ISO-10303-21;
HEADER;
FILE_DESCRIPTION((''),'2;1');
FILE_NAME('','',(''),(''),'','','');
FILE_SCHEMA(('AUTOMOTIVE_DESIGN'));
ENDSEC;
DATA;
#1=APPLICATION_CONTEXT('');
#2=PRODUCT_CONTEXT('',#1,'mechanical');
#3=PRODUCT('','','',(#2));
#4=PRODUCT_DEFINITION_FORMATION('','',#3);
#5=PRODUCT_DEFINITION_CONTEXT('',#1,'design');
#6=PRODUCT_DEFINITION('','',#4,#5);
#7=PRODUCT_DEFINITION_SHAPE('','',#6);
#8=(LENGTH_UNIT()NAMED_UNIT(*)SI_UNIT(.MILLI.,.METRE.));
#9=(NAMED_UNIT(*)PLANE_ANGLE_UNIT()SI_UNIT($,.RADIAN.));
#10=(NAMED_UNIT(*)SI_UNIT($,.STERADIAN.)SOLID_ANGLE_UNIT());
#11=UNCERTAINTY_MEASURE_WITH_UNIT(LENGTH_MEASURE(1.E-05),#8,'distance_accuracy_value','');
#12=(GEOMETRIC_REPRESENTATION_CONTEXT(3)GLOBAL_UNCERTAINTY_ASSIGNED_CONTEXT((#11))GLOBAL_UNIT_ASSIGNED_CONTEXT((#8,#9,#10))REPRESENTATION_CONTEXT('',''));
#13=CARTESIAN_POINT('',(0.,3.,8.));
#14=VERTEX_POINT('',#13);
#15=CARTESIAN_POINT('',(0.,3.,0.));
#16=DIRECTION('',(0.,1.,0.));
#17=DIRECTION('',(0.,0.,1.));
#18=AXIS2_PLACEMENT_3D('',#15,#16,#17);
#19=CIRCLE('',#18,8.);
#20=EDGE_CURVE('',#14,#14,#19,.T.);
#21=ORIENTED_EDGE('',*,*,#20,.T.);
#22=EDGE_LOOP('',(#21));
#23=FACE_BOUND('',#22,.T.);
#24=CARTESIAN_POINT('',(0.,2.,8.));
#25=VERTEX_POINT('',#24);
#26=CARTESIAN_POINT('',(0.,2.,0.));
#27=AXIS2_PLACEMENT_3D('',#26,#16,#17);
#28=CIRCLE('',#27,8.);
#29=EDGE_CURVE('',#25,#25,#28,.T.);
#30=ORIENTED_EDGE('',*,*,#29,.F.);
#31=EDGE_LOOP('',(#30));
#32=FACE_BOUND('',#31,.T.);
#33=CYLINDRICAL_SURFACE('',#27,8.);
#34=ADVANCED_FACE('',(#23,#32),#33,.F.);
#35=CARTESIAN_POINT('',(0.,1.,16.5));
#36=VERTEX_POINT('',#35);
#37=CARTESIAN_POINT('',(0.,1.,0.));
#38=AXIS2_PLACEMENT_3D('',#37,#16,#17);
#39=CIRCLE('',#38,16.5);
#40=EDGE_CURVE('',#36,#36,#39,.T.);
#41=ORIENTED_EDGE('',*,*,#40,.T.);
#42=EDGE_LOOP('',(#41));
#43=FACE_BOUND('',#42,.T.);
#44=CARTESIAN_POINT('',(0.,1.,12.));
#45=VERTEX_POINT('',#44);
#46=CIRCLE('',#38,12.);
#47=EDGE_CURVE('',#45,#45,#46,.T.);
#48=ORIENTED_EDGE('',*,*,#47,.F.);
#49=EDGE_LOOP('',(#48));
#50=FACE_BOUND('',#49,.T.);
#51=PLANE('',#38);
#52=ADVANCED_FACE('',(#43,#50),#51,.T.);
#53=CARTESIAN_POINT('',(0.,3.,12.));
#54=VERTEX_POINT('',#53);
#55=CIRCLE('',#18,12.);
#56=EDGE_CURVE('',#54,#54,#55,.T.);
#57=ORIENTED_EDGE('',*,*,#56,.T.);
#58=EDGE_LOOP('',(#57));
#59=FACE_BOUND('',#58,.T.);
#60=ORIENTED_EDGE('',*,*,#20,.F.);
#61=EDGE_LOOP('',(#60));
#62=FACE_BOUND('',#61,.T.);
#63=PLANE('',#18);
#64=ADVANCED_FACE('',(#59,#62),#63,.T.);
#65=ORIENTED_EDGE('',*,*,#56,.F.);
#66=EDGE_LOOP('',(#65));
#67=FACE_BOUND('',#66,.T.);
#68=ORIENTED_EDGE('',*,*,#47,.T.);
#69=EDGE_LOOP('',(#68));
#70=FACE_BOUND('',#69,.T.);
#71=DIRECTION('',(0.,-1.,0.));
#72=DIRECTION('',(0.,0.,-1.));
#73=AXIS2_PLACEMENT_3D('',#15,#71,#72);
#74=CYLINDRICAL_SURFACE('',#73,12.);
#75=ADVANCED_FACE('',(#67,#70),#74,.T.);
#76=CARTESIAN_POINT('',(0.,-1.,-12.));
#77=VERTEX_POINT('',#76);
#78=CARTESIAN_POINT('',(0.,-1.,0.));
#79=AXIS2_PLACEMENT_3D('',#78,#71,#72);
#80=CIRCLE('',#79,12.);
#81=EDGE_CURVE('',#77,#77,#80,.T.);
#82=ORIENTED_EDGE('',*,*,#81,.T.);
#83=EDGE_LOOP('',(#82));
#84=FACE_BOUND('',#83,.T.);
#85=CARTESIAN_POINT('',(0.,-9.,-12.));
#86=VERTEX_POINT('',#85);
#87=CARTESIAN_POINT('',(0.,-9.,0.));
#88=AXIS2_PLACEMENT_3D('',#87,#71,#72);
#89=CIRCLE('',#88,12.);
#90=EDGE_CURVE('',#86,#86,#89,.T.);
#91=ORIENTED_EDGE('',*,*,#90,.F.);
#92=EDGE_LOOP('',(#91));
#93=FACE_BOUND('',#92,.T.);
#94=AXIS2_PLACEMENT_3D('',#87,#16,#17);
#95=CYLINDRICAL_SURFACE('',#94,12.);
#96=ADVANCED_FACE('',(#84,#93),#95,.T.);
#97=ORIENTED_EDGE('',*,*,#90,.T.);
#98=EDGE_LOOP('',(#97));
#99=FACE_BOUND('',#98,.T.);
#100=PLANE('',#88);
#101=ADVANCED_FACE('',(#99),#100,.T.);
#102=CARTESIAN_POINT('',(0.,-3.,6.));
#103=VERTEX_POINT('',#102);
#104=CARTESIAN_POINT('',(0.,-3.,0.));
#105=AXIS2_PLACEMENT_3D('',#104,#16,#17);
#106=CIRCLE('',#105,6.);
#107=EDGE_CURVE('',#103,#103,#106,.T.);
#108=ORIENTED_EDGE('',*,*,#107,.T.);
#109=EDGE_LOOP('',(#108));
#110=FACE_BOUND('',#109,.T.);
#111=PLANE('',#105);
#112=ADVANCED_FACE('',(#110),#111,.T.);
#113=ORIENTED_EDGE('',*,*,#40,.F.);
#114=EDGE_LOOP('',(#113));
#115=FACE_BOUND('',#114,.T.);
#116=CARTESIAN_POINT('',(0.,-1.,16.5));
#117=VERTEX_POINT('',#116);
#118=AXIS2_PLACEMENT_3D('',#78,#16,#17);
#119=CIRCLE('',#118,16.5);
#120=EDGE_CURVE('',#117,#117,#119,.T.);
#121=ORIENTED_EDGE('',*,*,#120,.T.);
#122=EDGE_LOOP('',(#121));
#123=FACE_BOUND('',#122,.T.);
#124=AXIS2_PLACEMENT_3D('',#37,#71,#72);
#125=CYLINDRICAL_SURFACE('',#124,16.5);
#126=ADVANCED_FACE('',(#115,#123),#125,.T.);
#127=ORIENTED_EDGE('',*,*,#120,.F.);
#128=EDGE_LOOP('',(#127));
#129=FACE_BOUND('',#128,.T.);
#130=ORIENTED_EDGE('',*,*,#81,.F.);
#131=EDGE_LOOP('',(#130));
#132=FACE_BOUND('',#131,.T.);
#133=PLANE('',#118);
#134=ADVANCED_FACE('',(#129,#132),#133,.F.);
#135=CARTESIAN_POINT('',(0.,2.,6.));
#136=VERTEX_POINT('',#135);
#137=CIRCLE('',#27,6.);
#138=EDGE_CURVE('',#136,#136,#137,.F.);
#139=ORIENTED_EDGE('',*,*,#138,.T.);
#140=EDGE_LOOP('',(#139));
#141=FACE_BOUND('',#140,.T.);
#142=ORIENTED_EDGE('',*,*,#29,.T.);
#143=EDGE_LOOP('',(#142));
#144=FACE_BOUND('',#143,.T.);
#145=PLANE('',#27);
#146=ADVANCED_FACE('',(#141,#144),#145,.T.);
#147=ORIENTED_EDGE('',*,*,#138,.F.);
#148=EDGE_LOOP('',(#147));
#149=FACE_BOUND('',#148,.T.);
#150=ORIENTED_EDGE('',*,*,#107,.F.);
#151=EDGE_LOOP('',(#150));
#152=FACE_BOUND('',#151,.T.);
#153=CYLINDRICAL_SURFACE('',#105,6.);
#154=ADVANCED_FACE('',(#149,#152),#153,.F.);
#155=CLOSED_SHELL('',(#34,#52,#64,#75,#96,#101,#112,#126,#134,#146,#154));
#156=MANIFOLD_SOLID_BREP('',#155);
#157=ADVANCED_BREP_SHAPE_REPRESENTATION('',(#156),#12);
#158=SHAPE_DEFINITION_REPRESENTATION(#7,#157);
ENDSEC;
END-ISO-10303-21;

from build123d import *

# Parameters (mm, degrees)
SKETCH2_R           = 16.5
BOSS_EXTRUDE1_DEPTH = 1
SKETCH3_R           = 12
BOSS_EXTRUDE2_DEPTH = 8
BOSS_EXTRUDE3_START = 2
SKETCH4_R           = 12
BOSS_EXTRUDE3_DEPTH = 2
SKETCH5_R           = 6
CUT_EXTRUDE1_DEPTH  = 6
SKETCH6_R           = 8
CUT_EXTRUDE2_DEPTH  = 1


with BuildPart() as part:
    # Sketch2 → Boss-Extrude1 (new, symmetric)
    with BuildSketch(Plane(origin=(0, 0, 0), x_dir=(1, 0, 0), z_dir=(0, 1, 0))):
        with Locations(Location((0, 0, 0), (0, 0, 270))):
            Circle(SKETCH2_R)
    extrude(amount=BOSS_EXTRUDE1_DEPTH, both=True)

    # Sketch3 → Boss-Extrude2 (add)
    with BuildSketch(Plane.XZ.offset(1)):
        with Locations(Location((0, 0, 0), (0, 0, 270))):
            Circle(SKETCH3_R)
    extrude(amount=BOSS_EXTRUDE2_DEPTH)

    # Sketch4 → Boss-Extrude3 (add)
    with BuildSketch(Plane(origin=(0, 1, 0), x_dir=(1, 0, 0), z_dir=(0, 1, 0)).offset(BOSS_EXTRUDE3_START)):
        with Locations(Location((0, 0, 0), (0, 0, 90))):
            Circle(SKETCH4_R)
    extrude(amount=-BOSS_EXTRUDE3_DEPTH)

    # Sketch5 → Cut-Extrude1 (cut)
    with BuildSketch(Plane(origin=(0, 3, 0), x_dir=(1, 0, 0), z_dir=(0, 1, 0))):
        with Locations(Location((0, 0, 0), (0, 0, 270))):
            Circle(SKETCH5_R)
    extrude(amount=-CUT_EXTRUDE1_DEPTH, mode=Mode.SUBTRACT)

    # Sketch6 → Cut-Extrude2 (cut)
    with BuildSketch(Plane(origin=(0, 3, 0), x_dir=(1, 0, 0), z_dir=(0, 1, 0))):
        with Locations(Location((0, 0, 0), (0, 0, 270))):
            Circle(SKETCH6_R)
    extrude(amount=-CUT_EXTRUDE2_DEPTH, mode=Mode.SUBTRACT)


solid = part.part
